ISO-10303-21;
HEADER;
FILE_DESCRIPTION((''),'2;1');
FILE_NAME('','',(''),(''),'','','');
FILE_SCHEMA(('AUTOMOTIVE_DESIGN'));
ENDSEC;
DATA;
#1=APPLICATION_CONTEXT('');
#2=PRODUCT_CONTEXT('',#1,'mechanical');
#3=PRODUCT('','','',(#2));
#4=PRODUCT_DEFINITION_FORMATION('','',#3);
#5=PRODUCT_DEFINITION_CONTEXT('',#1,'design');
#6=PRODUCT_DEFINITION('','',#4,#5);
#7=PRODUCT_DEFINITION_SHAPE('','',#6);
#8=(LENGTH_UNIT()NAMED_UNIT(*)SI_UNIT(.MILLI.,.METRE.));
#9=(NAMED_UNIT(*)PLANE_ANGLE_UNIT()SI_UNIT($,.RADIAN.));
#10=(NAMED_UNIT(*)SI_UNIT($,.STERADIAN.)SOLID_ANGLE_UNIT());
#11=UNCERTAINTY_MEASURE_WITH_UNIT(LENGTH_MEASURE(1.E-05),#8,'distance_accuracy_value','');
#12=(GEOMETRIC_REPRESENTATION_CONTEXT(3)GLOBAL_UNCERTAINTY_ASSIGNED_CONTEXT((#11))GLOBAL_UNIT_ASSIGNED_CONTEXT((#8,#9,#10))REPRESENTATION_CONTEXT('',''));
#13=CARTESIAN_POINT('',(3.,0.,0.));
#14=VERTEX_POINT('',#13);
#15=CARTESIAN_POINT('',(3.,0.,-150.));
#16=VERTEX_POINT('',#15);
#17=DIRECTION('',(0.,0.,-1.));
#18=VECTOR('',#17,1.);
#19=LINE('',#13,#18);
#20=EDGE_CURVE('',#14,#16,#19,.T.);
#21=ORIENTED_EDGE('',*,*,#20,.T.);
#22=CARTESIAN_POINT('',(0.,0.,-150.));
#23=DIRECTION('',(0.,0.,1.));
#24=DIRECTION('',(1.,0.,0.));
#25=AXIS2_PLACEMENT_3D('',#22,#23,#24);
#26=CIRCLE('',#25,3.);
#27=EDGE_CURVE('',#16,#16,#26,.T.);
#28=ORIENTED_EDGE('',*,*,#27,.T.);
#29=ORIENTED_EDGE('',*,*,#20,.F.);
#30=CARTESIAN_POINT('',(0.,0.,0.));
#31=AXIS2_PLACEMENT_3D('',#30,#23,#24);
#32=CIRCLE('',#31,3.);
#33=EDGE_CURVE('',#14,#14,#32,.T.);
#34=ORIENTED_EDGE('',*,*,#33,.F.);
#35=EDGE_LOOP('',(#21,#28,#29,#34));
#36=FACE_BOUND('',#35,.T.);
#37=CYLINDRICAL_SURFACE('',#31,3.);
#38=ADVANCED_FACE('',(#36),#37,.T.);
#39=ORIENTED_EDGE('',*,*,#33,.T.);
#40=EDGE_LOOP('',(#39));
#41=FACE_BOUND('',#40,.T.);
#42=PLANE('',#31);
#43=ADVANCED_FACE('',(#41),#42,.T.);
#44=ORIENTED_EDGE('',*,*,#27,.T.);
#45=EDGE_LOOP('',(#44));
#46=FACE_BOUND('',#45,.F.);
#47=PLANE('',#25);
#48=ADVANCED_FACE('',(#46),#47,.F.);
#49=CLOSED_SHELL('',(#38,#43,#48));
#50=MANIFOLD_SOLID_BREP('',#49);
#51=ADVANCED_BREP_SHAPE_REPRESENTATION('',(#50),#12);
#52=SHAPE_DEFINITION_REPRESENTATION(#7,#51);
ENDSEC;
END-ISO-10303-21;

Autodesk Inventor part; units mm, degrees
ref_plane "YZ Plane" through (0, 0, 0) normal (1, 0, 0) x (0, 1, 0)
ref_plane "XZ Plane" through (0, 0, 0) normal (0, 1, 0) x (-1, 0, 0)
sketch "スケッチ1" plane through (0, 0, 0) normal (0, 0, 1) x (1, 0, 0)
  circle A0 centre (0, 0) radius 3
  dimension "d0" = 6
ref_plane "作業平面1" through (0, 0, -150) normal (0, 0, -1) x (0, 1, 0)
extrude "押し出し1" add sketch "スケッチ1" against normal up to surface (150 mm away)
properties part number "大軸" material "アルミニウム 6061"
